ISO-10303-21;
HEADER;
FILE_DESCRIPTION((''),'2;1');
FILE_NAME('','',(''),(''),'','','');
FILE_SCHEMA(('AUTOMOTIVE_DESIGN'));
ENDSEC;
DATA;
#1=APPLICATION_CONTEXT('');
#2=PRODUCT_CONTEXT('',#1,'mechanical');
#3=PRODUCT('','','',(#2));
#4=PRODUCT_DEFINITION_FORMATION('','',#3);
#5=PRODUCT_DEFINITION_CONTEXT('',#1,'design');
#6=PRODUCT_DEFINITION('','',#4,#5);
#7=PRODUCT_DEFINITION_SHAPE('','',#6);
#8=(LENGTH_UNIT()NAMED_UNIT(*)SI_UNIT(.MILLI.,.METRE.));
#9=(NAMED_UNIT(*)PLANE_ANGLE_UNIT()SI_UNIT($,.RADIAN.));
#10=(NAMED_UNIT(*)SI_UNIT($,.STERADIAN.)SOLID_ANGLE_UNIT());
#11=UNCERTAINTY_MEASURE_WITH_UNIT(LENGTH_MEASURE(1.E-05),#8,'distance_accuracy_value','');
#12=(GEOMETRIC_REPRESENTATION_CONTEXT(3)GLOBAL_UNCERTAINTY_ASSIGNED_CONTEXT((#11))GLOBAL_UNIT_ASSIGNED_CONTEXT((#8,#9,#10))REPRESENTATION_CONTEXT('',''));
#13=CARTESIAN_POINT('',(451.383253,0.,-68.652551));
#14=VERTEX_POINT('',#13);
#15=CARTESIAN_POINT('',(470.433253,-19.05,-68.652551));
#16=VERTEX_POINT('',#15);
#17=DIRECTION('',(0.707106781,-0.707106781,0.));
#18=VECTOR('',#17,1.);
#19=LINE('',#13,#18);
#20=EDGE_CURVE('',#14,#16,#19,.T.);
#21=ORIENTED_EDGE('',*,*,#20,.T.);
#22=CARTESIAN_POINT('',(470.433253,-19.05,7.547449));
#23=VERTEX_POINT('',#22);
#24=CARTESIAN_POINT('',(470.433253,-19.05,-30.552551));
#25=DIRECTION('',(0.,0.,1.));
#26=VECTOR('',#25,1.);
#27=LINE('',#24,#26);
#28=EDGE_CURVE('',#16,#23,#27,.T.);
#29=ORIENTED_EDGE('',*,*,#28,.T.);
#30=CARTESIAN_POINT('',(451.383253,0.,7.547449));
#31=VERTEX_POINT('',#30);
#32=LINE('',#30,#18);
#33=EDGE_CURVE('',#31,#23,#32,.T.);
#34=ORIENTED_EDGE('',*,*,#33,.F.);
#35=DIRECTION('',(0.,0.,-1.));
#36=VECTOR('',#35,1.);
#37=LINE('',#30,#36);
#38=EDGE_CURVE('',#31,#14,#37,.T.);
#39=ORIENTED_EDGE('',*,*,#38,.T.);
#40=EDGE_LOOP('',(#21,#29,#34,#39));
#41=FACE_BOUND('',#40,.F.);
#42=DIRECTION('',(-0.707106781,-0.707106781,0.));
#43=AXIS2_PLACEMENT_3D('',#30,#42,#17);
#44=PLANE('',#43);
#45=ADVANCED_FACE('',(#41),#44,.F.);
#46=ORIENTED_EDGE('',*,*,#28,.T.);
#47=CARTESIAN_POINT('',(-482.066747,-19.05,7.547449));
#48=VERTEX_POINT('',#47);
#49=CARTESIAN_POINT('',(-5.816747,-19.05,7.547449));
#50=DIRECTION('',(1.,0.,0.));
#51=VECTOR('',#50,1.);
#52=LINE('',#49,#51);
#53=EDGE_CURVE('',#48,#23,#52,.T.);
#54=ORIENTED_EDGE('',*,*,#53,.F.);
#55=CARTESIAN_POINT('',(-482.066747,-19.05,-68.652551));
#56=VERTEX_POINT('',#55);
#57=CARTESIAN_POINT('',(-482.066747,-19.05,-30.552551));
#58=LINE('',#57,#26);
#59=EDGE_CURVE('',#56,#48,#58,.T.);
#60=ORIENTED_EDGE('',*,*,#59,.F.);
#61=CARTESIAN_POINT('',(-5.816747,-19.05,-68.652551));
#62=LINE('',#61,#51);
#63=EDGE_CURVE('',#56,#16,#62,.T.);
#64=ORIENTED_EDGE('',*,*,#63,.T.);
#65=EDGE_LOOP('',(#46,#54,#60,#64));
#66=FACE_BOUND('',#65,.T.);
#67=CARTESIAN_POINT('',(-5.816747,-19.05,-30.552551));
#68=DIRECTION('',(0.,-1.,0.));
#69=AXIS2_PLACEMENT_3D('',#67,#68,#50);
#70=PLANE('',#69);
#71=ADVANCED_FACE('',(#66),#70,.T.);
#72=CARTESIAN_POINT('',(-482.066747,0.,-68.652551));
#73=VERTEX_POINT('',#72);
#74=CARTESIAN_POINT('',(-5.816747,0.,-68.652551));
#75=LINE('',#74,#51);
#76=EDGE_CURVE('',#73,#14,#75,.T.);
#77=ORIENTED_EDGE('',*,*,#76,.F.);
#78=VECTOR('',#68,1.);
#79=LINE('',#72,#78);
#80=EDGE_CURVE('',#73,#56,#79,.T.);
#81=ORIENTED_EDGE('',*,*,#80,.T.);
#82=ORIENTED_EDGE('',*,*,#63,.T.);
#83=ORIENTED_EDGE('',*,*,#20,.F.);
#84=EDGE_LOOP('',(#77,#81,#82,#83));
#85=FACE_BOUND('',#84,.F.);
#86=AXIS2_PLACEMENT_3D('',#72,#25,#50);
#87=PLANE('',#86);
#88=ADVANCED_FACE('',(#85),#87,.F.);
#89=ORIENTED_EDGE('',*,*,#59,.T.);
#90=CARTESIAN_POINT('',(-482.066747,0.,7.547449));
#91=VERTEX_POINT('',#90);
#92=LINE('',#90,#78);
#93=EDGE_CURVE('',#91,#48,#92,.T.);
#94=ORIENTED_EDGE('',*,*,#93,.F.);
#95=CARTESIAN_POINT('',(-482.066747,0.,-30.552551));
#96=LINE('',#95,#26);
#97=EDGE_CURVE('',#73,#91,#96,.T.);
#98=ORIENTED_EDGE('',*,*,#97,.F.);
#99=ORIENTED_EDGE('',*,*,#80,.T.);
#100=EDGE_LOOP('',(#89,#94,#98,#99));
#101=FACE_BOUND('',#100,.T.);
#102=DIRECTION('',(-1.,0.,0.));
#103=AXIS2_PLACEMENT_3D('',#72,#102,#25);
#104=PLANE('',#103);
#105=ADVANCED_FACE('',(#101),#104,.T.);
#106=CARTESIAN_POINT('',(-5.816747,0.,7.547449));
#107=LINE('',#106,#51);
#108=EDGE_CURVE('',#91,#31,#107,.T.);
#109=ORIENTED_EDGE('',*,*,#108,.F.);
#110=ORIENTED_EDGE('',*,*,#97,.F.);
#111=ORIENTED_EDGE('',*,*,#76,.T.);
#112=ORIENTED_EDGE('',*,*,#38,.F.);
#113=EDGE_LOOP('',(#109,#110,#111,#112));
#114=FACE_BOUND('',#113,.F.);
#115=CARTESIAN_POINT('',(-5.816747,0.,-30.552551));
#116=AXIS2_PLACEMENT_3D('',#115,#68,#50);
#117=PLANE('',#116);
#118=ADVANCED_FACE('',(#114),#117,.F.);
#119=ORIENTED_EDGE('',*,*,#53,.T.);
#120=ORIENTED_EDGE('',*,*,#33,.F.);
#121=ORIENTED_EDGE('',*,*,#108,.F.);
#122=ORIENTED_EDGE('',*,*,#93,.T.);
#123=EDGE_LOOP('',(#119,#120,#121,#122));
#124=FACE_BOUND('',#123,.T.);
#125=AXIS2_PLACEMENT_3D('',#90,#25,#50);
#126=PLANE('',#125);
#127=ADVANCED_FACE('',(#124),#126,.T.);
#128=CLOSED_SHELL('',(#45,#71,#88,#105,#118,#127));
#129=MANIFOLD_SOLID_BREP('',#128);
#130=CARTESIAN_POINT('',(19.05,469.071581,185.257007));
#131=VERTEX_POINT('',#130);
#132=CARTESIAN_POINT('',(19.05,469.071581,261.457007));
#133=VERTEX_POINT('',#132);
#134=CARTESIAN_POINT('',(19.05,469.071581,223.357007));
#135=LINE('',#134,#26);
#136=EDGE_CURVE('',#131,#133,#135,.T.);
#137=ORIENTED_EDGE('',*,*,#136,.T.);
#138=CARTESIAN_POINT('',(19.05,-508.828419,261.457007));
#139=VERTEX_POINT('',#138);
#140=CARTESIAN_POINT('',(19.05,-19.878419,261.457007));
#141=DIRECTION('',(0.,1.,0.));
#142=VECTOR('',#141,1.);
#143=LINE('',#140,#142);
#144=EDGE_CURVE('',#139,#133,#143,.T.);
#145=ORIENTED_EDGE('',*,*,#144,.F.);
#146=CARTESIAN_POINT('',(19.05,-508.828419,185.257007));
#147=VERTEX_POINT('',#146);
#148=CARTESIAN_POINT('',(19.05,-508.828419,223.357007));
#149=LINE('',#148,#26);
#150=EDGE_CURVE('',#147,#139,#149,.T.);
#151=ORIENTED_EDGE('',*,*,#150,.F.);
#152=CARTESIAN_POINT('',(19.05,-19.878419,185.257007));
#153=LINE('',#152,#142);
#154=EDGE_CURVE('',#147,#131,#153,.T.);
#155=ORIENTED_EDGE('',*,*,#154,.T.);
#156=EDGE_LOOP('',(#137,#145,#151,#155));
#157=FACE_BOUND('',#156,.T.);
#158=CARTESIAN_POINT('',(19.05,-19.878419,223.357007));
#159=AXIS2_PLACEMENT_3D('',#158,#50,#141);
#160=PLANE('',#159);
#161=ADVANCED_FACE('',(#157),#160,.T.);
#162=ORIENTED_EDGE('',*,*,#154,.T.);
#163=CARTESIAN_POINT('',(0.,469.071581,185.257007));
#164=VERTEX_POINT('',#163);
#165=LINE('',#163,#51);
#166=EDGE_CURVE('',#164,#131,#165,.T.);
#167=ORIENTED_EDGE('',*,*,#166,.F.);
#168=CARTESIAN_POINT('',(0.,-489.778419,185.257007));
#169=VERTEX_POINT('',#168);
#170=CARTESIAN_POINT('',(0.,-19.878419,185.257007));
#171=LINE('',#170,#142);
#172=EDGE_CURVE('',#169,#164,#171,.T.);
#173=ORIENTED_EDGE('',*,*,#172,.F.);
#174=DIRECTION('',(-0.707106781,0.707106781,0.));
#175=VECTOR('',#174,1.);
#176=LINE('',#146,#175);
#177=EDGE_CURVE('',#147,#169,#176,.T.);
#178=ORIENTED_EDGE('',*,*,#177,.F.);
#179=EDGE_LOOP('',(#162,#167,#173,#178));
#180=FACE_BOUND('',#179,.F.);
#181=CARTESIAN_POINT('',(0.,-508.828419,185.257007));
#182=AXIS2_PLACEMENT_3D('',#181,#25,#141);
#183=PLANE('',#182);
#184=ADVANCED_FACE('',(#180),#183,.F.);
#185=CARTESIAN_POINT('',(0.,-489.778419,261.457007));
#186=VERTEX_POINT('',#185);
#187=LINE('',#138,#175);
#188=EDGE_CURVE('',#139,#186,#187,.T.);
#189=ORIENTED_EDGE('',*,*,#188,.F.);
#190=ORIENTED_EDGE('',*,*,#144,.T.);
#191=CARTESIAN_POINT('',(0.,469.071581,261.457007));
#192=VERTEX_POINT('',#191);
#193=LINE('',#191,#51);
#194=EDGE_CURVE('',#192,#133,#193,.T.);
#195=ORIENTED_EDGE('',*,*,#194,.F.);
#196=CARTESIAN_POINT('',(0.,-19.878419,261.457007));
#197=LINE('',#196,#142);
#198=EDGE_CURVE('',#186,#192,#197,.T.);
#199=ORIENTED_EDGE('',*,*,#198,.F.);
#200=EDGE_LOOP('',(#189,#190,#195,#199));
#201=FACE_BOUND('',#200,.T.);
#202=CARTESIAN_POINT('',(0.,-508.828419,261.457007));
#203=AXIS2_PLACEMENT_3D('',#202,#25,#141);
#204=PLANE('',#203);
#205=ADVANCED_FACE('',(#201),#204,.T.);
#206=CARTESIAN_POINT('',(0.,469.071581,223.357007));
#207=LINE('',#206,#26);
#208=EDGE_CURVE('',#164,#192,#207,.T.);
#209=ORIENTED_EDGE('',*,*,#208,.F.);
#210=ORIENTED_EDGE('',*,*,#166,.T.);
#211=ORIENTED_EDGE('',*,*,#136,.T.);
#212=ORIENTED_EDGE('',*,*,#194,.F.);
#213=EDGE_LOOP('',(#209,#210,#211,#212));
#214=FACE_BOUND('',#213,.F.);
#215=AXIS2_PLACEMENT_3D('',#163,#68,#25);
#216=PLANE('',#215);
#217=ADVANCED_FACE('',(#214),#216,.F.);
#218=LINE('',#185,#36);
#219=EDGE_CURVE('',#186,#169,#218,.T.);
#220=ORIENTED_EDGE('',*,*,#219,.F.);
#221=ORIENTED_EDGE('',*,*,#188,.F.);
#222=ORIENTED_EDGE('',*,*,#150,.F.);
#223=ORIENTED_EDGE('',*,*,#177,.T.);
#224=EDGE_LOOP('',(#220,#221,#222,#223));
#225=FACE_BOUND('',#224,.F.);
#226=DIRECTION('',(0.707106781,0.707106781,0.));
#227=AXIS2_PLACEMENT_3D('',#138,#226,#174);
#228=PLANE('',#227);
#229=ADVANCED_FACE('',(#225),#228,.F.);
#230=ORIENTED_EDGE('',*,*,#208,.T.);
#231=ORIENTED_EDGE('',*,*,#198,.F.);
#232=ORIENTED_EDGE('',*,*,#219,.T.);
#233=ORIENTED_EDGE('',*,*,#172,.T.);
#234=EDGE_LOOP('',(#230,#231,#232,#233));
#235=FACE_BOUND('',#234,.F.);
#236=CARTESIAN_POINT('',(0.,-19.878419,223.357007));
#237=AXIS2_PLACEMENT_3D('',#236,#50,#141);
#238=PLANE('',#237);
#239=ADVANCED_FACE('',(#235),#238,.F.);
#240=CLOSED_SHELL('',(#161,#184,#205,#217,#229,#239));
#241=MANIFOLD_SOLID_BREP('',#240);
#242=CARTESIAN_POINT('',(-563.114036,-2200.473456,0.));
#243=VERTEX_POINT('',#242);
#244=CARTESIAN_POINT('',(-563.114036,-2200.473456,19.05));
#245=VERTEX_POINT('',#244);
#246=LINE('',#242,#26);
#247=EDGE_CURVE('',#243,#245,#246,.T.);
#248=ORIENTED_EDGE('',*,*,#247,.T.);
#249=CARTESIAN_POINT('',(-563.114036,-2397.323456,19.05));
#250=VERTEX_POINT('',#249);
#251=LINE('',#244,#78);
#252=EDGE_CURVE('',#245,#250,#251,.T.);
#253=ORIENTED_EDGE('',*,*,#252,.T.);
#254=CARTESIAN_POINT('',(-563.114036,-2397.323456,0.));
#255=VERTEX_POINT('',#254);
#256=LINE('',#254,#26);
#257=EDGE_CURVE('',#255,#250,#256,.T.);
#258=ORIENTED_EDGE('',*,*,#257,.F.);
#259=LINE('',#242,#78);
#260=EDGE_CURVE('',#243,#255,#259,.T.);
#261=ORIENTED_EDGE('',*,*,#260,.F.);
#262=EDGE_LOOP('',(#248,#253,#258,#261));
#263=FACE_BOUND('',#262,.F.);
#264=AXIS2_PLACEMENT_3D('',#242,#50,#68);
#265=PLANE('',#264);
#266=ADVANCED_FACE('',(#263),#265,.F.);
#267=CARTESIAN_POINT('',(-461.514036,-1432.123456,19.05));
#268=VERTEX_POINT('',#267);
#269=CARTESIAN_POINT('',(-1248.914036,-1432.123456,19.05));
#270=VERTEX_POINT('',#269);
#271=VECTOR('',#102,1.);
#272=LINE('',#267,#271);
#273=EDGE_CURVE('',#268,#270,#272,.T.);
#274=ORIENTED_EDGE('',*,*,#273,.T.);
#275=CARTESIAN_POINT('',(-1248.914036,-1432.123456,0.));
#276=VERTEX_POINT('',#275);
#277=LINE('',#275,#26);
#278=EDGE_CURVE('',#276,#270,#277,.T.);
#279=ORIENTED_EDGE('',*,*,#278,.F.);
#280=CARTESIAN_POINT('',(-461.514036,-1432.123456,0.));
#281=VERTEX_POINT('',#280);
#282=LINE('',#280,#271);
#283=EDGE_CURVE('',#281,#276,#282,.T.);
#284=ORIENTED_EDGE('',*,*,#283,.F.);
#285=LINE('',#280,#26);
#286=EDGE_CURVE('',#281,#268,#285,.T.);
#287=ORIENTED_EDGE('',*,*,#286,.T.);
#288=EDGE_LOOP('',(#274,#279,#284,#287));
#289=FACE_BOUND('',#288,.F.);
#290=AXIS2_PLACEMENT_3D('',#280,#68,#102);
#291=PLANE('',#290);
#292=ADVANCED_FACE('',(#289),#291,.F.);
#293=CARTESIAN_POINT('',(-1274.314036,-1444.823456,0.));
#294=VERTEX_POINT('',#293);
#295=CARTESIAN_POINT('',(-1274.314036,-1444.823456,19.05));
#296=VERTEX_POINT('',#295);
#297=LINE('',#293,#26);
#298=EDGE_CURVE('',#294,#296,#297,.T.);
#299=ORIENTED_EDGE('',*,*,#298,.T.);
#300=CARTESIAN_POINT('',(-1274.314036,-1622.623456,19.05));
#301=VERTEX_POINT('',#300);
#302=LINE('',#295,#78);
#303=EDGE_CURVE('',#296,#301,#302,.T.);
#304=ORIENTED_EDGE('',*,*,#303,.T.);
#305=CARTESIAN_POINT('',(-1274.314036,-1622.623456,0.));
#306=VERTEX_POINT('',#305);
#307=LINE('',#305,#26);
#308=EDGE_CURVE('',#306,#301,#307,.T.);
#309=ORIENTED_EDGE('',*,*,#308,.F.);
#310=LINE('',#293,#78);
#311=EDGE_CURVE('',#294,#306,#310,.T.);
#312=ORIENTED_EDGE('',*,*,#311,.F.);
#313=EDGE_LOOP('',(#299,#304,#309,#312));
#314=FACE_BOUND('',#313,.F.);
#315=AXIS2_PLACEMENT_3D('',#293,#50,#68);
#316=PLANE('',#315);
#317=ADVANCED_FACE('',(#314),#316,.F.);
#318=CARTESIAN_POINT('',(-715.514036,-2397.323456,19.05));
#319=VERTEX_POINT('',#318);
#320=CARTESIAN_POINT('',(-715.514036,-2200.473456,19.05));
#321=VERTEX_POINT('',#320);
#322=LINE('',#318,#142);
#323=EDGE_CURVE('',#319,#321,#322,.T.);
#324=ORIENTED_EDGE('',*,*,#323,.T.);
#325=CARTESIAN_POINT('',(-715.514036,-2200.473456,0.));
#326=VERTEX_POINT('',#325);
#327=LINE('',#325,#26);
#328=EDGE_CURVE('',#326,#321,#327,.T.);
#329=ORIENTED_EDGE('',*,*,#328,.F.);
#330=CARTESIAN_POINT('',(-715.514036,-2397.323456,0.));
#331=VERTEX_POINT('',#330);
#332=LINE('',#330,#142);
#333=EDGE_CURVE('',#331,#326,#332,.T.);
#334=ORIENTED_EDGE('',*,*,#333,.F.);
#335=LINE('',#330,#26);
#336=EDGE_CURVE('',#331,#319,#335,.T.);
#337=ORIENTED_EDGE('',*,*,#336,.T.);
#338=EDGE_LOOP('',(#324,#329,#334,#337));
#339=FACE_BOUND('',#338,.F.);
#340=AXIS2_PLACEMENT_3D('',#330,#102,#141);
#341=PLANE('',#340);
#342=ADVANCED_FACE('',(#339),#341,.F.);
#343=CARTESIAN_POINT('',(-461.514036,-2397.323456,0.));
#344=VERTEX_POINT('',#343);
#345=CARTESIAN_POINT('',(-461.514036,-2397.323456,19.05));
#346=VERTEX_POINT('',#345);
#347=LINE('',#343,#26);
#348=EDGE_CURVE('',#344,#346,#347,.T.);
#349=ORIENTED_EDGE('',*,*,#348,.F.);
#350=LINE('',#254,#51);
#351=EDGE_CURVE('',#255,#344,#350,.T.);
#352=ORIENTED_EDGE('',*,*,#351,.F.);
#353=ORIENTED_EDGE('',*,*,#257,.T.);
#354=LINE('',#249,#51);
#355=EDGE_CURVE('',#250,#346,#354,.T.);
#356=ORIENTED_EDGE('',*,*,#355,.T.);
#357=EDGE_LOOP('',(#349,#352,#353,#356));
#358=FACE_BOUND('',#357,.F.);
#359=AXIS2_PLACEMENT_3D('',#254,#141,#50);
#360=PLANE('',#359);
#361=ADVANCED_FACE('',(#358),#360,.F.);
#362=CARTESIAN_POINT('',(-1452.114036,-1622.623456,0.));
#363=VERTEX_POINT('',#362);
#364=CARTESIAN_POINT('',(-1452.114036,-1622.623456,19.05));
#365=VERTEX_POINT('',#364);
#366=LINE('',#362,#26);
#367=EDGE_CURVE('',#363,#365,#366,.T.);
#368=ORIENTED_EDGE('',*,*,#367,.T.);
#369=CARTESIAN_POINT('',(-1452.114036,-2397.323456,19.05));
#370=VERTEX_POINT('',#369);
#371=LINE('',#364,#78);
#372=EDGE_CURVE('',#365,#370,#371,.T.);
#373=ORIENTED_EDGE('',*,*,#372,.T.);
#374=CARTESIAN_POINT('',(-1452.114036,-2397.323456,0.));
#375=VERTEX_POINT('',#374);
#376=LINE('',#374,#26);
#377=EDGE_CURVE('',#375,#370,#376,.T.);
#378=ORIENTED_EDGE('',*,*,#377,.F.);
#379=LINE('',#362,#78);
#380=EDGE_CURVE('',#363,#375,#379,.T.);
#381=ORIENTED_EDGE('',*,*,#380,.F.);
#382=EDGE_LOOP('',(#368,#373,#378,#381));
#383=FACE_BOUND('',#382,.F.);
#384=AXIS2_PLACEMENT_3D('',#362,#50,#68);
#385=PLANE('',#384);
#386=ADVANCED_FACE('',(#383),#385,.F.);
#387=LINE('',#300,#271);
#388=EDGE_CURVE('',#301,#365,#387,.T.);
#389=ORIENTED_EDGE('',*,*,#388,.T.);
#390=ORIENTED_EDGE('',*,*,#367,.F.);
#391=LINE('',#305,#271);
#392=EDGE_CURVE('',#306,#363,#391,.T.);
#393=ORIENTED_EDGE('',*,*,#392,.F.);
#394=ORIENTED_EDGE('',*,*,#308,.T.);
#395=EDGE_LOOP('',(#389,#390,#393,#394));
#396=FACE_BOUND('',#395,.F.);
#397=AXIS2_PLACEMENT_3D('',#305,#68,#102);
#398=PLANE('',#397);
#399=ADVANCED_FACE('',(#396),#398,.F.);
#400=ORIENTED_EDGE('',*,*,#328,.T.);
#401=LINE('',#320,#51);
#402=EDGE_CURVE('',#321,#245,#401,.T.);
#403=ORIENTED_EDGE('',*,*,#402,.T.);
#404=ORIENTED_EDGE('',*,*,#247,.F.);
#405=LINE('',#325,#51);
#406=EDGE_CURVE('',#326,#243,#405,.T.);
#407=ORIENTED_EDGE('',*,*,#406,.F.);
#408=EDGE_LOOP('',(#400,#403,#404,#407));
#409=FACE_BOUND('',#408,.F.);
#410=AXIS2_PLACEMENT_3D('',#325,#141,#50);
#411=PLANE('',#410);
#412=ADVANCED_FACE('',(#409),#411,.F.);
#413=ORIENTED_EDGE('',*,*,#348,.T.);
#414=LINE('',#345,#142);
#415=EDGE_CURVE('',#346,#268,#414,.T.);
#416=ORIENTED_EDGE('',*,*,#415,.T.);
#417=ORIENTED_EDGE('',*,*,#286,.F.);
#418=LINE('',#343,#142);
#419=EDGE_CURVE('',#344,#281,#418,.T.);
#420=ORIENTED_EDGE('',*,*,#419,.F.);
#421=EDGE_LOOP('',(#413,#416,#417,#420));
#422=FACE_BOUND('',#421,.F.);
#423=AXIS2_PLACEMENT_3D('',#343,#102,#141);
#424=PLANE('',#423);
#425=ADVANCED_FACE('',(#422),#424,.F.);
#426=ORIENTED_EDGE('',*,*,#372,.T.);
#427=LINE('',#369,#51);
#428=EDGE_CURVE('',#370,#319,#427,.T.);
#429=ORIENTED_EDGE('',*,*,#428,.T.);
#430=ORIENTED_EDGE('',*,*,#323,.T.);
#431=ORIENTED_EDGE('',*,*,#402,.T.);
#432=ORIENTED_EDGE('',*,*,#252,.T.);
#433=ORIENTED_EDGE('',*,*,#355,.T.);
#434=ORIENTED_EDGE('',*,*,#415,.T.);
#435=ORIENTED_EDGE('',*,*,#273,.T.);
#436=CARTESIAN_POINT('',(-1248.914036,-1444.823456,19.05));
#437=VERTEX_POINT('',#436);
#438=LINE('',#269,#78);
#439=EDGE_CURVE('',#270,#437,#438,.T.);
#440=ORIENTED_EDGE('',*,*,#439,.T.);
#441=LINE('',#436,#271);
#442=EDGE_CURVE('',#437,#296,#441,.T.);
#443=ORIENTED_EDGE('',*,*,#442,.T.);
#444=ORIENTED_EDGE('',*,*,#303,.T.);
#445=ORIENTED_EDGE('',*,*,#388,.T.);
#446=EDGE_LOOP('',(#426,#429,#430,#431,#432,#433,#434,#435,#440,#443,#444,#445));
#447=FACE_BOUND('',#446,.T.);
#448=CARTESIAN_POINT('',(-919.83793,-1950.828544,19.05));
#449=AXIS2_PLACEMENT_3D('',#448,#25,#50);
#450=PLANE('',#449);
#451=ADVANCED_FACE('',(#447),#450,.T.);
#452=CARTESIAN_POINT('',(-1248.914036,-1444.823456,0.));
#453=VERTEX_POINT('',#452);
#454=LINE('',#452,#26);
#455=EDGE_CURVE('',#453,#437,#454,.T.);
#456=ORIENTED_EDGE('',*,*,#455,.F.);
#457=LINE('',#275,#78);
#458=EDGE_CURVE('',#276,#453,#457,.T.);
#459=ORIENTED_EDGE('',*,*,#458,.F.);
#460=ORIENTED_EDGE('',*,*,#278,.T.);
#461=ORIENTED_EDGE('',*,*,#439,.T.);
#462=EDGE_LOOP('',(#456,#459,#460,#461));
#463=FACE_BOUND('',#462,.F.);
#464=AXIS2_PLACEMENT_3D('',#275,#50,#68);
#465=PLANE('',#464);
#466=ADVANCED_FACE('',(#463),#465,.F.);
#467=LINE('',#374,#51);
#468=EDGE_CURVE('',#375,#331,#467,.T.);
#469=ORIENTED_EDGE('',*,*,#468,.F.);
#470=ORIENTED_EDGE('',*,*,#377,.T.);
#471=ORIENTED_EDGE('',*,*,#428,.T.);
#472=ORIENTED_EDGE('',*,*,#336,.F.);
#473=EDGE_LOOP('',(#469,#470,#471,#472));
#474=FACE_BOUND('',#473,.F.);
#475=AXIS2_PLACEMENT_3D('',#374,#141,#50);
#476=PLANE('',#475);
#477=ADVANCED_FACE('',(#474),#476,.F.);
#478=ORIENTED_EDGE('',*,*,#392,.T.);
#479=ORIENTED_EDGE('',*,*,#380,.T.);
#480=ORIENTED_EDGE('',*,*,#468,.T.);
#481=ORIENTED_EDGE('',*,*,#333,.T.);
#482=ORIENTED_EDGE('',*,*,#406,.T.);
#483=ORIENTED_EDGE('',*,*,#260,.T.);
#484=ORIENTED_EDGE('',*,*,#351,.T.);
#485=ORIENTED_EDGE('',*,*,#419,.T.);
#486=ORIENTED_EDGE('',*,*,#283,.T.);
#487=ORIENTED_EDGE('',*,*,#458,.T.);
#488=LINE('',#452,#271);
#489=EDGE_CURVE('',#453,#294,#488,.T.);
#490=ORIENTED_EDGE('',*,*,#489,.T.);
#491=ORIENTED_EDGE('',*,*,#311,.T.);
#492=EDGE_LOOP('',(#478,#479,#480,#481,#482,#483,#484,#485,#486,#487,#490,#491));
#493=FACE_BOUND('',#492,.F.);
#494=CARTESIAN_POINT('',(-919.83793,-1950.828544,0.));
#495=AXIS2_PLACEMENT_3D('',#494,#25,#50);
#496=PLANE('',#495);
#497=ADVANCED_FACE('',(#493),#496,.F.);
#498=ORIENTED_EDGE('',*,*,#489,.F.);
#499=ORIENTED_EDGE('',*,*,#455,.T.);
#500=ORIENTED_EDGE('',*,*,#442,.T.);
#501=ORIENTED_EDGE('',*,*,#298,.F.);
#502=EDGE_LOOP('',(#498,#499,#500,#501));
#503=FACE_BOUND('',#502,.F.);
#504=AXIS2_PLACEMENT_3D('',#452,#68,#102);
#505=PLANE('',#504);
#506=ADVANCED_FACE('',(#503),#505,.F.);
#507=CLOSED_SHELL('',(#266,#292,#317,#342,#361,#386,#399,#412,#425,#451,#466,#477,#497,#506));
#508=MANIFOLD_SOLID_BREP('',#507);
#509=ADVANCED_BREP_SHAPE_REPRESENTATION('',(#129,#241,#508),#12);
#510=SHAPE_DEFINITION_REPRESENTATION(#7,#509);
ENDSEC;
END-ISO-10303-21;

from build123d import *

# Parameters (mm, degrees)
F0_W     = 952.5
F0_H     = 76.2
F1_DEPTH = 19.05
F3_DEPTH = 76.2
F4_W     = 977.9
F4_H     = 76.2
F5_DEPTH = 19.05
F7_DEPTH = 76.2
F9_DEPTH = 19.05


with BuildPart() as f1:
    # F0 (on Front) → F1 (new body)
    with BuildSketch(Plane.XZ):
        with Locations((-5.816747, -30.552551)):
            Rectangle(F0_W, F0_H)
    extrude(amount=F1_DEPTH)

    # F2 (on face) → F3 (cut)
    with BuildSketch(Plane.XY.offset(7.547449)):
        Polygon((451.383253, 0), (470.433253, -19.05), (470.433253, 0), align=None)
    extrude(amount=-F3_DEPTH, mode=Mode.SUBTRACT)


with BuildPart() as f5:
    # F4 (on Right) → F5 (new body)
    with BuildSketch(Plane.YZ):
        with Locations((-19.878419, 223.357007)):
            Rectangle(F4_W, F4_H)
    extrude(amount=F5_DEPTH)

    # F6 (on face) → F7 (cut)
    with BuildSketch(Plane.XY.offset(261.457007)):
        Polygon((0, -508.828419), (19.05, -508.828419), (0, -489.778419), align=None)
    extrude(amount=-F7_DEPTH, mode=Mode.SUBTRACT)


with BuildPart() as f9:
    # F8 (on Top) → F9 (new body)
    with BuildSketch(Plane.XY):
        Polygon((-1452.114036, -1622.623456), (-1452.114036, -2397.323456), (-715.514036, -2397.323456), (-715.514036, -2200.473456), (-563.114036, -2200.473456), (-563.114036, -2397.323456), (-461.514036, -2397.323456), (-461.514036, -1432.123456), (-1248.914036, -1432.123456), (-1248.914036, -1444.823456), (-1274.314036, -1444.823456), (-1274.314036, -1622.623456), align=None)
    extrude(amount=F9_DEPTH)


solid = Compound([f1.part, f5.part, f9.part])
